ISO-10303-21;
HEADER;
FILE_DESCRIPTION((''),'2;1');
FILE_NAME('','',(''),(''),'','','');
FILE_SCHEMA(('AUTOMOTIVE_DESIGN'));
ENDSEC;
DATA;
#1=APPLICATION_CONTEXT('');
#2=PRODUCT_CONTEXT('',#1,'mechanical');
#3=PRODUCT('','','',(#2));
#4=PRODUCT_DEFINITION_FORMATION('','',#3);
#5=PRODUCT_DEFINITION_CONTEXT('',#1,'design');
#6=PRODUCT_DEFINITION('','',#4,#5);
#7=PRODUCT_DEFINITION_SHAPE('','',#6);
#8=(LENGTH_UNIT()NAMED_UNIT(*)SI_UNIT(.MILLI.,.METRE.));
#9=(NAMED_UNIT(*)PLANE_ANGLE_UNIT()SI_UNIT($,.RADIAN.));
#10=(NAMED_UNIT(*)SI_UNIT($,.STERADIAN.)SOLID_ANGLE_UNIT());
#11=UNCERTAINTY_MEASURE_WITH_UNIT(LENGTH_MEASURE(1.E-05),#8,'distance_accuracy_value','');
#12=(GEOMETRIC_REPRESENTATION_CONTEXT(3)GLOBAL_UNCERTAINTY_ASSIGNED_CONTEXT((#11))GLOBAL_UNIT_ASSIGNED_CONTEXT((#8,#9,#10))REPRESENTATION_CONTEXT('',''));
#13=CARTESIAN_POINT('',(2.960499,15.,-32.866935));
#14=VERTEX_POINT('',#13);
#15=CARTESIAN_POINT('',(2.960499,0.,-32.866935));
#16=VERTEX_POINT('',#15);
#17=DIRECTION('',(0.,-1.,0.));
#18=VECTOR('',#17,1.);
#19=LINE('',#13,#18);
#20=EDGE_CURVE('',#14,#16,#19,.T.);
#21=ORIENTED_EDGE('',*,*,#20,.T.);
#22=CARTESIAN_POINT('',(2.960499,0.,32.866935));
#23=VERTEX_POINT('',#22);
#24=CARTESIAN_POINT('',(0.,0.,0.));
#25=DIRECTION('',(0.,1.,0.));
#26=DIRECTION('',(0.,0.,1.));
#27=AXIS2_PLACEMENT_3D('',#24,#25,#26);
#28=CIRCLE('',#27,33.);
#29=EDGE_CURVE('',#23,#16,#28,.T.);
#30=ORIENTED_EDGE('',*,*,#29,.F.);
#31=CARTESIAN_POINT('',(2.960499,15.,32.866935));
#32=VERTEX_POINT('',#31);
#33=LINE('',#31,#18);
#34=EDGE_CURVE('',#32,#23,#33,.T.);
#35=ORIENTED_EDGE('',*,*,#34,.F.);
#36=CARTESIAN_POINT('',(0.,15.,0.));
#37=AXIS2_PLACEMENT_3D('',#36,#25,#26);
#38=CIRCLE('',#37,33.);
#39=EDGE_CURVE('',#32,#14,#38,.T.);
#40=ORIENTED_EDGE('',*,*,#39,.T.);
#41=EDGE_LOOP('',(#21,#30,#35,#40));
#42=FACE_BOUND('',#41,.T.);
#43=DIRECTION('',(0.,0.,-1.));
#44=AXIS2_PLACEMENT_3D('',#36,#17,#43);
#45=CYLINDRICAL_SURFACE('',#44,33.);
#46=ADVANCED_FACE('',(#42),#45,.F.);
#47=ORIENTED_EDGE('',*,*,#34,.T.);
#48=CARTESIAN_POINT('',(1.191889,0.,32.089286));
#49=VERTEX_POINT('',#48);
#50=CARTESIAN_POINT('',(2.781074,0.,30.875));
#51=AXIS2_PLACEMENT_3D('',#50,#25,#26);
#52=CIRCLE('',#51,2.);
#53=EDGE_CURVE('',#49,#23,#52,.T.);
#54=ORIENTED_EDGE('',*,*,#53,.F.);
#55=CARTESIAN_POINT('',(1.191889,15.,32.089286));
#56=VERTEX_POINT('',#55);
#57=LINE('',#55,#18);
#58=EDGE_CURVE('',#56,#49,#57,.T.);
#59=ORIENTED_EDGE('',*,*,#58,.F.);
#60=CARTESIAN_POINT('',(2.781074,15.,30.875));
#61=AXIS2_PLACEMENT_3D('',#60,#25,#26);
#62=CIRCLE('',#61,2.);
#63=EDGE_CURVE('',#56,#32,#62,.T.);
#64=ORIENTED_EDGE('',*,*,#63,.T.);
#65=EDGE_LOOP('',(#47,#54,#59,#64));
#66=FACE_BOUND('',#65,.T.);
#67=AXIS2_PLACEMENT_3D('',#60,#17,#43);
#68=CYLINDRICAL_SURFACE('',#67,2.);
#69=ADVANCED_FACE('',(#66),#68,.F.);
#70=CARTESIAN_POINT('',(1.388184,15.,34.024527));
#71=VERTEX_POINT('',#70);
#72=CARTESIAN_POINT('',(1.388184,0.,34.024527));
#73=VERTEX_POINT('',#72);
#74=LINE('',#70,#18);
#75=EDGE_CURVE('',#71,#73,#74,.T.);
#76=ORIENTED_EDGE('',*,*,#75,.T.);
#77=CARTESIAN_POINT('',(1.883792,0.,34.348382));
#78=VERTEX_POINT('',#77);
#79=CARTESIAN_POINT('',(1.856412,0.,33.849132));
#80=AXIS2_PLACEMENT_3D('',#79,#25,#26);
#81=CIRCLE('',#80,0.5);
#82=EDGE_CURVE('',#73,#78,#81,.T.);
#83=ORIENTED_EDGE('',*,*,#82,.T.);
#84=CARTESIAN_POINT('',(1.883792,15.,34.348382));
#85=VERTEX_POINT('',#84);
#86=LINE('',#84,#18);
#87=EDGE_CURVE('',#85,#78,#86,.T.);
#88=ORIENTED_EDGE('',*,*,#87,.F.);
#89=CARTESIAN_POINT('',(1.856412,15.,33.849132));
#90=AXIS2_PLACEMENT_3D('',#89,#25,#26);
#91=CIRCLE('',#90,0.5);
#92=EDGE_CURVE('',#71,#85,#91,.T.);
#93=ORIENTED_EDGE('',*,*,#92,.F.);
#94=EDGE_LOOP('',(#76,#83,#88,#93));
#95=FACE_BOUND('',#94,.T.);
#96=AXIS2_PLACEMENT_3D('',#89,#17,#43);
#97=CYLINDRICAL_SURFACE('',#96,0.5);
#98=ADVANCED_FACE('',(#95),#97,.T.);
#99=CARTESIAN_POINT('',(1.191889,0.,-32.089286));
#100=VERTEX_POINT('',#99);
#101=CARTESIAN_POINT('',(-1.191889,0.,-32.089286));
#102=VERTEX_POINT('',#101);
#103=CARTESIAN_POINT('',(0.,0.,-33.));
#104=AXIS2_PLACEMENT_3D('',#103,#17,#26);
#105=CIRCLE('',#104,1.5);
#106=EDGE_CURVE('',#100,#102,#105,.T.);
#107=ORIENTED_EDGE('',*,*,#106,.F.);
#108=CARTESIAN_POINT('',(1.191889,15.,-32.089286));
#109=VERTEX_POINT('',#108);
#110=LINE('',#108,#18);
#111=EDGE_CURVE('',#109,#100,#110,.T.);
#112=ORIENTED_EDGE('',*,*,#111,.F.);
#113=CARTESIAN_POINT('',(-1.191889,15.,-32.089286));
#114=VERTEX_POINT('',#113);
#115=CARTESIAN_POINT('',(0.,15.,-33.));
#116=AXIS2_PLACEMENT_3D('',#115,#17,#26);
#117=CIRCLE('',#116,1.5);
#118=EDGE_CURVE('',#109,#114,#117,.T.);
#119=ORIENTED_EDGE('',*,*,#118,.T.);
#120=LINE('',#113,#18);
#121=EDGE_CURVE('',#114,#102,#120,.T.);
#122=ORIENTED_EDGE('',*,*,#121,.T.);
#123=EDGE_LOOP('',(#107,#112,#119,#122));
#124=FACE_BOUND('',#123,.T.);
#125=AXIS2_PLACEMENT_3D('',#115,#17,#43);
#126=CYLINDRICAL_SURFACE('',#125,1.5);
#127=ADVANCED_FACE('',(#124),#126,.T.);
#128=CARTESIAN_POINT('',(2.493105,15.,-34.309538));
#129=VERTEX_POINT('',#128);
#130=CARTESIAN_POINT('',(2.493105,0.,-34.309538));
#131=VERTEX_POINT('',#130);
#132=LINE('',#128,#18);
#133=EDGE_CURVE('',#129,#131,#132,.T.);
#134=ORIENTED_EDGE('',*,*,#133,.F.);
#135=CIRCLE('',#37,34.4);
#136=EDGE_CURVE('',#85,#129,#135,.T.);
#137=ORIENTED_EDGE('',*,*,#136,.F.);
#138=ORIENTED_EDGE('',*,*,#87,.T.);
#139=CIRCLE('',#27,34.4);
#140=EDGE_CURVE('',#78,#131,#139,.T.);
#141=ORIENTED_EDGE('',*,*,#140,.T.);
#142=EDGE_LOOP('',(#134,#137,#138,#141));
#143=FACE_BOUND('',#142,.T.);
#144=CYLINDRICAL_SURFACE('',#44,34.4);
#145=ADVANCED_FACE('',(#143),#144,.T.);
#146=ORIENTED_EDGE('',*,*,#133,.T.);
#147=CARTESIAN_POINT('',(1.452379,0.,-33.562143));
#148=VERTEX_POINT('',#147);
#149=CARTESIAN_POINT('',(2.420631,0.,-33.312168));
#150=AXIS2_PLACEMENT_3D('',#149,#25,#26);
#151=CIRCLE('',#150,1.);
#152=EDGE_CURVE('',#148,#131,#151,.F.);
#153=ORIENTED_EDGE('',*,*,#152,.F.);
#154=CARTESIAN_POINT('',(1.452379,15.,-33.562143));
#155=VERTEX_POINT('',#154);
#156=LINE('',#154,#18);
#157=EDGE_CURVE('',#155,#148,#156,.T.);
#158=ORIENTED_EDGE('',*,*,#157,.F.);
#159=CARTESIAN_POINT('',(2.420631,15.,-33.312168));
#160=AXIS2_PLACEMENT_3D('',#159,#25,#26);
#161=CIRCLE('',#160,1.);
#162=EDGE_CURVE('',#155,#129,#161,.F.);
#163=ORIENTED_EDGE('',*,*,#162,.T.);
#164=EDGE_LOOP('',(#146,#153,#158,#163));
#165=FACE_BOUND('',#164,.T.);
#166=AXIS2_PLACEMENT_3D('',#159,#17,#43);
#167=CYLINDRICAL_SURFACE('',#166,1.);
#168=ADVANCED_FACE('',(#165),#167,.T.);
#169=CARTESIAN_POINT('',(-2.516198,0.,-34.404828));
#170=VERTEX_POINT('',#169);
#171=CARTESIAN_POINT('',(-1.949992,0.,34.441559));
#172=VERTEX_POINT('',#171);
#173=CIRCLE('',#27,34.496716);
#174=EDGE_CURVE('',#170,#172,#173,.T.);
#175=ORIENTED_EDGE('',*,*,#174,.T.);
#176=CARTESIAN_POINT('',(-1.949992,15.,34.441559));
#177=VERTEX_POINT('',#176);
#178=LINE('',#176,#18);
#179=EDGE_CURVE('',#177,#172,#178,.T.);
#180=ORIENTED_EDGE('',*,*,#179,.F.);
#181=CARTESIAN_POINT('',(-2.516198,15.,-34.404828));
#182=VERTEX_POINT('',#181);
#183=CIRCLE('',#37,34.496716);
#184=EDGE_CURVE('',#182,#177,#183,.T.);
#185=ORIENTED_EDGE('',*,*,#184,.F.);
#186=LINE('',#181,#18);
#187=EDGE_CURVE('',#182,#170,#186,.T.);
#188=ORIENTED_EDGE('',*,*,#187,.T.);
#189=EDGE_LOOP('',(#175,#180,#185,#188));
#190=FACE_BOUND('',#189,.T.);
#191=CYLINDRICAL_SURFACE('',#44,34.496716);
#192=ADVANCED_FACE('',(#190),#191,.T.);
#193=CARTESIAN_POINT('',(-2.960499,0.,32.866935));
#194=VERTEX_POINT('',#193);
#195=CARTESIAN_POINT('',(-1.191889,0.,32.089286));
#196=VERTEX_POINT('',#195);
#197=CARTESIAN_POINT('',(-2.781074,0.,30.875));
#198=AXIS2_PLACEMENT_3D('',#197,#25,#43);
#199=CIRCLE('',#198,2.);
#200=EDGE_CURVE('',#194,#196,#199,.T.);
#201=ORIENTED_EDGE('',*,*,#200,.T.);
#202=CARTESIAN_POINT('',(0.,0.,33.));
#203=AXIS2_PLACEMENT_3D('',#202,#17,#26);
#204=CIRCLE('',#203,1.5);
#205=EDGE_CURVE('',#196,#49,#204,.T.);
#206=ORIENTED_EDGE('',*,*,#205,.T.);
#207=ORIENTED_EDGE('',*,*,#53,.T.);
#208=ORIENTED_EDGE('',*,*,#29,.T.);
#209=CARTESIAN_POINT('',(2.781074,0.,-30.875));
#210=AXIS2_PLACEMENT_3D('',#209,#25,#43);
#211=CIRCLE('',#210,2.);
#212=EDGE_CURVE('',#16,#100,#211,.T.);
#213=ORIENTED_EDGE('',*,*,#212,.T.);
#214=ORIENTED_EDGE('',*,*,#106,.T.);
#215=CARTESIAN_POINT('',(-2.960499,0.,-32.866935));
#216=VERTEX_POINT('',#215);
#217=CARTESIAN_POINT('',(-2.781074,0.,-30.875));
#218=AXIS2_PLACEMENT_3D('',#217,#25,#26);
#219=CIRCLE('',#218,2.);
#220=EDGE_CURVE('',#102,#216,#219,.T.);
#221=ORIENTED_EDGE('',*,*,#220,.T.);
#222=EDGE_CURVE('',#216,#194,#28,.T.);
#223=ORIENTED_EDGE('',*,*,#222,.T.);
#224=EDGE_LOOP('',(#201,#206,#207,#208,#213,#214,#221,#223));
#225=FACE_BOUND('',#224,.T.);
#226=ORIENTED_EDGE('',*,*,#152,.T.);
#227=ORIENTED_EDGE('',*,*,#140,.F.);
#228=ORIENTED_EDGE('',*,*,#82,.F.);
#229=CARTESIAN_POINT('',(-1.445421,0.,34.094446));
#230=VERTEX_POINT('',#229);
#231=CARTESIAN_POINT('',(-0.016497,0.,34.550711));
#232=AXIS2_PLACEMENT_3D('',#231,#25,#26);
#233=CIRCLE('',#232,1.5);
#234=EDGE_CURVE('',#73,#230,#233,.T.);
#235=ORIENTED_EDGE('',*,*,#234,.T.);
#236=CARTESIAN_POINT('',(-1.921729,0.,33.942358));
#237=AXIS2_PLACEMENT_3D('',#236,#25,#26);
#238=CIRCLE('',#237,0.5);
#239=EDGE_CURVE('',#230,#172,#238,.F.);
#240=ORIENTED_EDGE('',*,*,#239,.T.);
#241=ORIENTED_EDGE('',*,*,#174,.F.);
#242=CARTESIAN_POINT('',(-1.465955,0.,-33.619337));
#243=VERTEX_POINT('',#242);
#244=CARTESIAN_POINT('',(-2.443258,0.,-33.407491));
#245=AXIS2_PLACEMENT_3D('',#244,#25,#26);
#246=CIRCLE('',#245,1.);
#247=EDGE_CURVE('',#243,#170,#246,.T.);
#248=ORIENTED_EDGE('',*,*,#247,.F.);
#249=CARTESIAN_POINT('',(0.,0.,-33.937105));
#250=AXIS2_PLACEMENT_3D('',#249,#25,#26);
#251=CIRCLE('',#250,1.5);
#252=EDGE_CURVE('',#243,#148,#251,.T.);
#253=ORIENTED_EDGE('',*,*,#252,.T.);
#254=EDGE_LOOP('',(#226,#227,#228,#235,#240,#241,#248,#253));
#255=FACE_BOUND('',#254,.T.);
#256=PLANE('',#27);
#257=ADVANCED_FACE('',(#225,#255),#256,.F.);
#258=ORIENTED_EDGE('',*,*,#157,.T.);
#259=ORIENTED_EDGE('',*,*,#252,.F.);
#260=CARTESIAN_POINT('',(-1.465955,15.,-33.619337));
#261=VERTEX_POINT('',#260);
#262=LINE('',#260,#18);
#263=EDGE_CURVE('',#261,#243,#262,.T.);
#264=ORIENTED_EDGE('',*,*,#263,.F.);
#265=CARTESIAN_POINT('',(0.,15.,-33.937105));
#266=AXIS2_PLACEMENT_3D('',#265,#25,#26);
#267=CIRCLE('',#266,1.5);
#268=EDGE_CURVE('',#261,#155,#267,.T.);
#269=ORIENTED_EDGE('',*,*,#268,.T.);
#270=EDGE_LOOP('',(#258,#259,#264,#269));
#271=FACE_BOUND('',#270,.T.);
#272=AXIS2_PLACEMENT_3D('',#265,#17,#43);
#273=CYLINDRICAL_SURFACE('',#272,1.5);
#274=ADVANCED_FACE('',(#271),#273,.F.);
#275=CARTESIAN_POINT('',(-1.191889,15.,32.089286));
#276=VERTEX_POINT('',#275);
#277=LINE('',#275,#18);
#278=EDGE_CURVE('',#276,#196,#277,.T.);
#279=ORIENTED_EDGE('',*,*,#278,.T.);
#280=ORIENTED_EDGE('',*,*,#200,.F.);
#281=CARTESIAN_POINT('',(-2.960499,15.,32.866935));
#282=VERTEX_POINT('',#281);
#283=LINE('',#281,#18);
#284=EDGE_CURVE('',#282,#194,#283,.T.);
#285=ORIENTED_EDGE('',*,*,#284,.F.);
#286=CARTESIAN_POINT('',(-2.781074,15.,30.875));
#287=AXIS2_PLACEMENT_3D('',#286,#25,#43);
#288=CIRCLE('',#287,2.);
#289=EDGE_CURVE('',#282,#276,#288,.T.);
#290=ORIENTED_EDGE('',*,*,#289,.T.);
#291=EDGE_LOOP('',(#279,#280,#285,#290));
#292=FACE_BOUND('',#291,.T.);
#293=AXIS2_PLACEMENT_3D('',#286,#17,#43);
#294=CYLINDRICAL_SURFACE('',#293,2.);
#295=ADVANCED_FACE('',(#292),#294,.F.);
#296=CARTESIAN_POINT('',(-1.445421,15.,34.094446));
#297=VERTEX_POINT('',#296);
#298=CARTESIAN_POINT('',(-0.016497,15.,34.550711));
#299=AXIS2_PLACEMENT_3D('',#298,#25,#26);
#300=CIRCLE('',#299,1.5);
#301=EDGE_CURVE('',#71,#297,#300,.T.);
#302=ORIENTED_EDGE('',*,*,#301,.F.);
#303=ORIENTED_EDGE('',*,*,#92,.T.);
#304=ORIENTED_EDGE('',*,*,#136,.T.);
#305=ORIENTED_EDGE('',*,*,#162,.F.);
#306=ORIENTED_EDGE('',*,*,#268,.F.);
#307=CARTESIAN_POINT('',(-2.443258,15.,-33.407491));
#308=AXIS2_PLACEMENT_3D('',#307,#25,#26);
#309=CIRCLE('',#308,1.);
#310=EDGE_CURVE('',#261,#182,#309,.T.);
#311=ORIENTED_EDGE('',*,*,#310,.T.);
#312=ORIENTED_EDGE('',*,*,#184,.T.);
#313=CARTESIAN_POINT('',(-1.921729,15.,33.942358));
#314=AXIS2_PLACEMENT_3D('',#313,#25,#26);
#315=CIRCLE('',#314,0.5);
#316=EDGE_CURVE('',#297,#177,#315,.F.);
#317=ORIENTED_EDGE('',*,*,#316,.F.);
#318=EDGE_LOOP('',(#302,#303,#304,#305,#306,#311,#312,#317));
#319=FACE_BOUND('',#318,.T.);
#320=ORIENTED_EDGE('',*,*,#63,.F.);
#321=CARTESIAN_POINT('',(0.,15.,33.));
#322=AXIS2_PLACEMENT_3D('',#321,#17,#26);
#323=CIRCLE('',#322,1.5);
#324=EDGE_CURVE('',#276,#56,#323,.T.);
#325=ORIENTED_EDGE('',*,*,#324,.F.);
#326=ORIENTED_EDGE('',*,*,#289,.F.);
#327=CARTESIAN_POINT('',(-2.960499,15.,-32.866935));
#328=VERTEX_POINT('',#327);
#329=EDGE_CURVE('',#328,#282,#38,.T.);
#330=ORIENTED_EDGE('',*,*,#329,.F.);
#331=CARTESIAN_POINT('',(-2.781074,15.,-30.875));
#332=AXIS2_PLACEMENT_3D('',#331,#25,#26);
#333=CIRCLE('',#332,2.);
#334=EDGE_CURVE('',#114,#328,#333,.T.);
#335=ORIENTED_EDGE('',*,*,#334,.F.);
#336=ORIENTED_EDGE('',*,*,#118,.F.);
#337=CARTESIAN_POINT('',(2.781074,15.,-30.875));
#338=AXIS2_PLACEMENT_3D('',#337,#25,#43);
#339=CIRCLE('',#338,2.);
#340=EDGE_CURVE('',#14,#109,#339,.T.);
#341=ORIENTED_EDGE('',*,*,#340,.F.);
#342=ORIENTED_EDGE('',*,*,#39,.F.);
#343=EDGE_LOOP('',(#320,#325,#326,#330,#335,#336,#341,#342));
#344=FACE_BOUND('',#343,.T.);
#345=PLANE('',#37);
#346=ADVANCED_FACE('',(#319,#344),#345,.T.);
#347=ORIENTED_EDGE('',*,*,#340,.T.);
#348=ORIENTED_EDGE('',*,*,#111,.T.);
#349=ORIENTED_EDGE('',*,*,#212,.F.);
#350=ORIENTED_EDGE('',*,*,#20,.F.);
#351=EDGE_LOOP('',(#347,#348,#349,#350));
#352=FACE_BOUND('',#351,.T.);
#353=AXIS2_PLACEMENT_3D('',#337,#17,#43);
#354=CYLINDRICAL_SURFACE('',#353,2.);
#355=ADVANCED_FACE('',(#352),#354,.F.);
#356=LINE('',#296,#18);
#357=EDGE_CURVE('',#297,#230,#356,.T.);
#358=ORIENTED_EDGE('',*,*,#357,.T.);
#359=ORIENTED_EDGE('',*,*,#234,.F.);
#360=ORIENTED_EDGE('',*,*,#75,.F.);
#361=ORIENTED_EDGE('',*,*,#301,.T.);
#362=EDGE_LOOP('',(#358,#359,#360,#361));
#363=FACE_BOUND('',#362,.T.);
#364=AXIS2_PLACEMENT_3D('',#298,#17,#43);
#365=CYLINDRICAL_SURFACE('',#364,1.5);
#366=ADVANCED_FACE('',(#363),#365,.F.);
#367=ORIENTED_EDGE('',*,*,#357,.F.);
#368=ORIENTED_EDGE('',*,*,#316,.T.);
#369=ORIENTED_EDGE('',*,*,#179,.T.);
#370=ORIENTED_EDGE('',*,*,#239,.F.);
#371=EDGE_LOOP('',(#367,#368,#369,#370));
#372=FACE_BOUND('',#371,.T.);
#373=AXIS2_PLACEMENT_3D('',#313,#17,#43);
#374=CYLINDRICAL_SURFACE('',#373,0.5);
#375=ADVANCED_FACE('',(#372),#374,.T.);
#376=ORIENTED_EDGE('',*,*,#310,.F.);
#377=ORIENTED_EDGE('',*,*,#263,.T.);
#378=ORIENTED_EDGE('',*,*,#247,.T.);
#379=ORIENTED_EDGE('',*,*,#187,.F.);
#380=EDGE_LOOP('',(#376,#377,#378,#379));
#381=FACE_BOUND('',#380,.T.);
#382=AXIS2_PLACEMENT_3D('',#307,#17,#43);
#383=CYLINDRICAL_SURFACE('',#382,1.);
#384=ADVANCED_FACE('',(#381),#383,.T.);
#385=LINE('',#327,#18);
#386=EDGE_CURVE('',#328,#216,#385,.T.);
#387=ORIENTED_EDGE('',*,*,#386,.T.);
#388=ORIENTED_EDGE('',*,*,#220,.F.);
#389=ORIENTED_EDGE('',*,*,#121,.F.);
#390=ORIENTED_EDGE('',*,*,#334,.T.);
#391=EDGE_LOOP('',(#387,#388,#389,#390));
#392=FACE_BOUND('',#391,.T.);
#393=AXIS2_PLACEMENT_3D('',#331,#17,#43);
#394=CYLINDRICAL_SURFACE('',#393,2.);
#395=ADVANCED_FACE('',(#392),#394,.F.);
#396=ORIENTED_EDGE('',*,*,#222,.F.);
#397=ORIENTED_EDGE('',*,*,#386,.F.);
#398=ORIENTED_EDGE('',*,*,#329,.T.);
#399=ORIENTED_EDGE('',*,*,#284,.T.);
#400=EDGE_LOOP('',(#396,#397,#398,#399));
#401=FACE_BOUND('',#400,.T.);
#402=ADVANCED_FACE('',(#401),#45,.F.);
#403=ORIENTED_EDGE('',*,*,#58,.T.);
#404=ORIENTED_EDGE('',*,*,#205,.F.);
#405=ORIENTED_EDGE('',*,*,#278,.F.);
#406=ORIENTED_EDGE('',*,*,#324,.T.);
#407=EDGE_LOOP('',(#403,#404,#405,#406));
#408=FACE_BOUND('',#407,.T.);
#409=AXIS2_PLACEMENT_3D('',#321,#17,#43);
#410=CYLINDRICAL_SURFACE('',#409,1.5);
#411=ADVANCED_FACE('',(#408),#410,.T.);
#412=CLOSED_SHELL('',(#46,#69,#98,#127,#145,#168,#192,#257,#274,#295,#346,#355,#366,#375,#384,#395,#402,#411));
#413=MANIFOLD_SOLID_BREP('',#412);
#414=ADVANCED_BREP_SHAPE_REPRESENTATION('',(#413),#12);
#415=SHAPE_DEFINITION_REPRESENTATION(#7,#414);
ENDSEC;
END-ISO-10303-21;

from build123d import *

# Parameters (mm, degrees)
BOSS_EXTRUDE1_DEPTH = 15
CUT_EXTRUDE2_DEPTH  = 52.002935676


with BuildPart() as part:
    # Sketch1 → Boss-Extrude1 (new body)
    with BuildSketch(Plane(origin=(0, 0, 0), x_dir=(1, 0, 0), z_dir=(0, 1, 0))):
        with BuildLine():
            ThreePointArc((1.388184439, -34.024526654), (1.582903075, -34.267692689), (1.883792339, -34.348381715))
            ThreePointArc((1.883792339, -34.348381715), (24.448065102, -24.200250262), (34.365790759, -1.53376189))
            ThreePointArc((34.365790759, -1.53376189), (25.706615752, 22.858913066), (2.493104989, 34.309538433))
            ThreePointArc((2.493104989, 34.309538433), (1.837317334, 34.124415112), (1.452378604, 33.562142698))
            ThreePointArc((1.452378604, 33.562142698), (-0.029391592, 32.437392534), (-1.46595483, 33.619336656))
            ThreePointArc((-1.46595483, 33.619336656), (-1.844328043, 34.20829277), (-2.516198277, 34.404827707))
            ThreePointArc((-2.516198277, 34.404827707), (-25.784489967, 22.916882433), (-34.462378171, -1.538802818))
            ThreePointArc((-34.462378171, -1.538802818), (-24.537991164, -24.246863982), (-1.949992086, -34.441558533))
            ThreePointArc((-1.949992086, -34.441558533), (-1.638342507, -34.354295246), (-1.445420769, -34.094446164))
            ThreePointArc((-1.445420769, -34.094446164), (-0.053498551, -33.05116711), (1.388184439, -34.024526654))
        make_face()
        with BuildLine():
            Line((-2.417, 3.18717916), (0, 3.18717916))
            Line((0, 3.18717916), (2.417, 3.18717916))
            ThreePointArc((2.417, 3.18717916), (0, -4), (-2.417, 3.18717916))
        make_face(mode=Mode.SUBTRACT)
    extrude(amount=BOSS_EXTRUDE1_DEPTH)

    # Sketch2 → Cut-Extrude2 (cut, through all)
    with BuildSketch(Plane(origin=(0, 0, 0), x_dir=(1, 0, 0), z_dir=(0, 1, 0))):
        with BuildLine():
            ThreePointArc((-32.866935484, -2.96049859), (-23.334523779, -23.334523779), (-2.96049859, -32.866935484))
            ThreePointArc((-2.96049859, -32.866935484), (-1.9760642, -32.705835472), (-1.191889043, -32.089285714))
            ThreePointArc((-1.191889043, -32.089285714), (0, -31.5), (1.191889043, -32.089285714))
            ThreePointArc((1.191889043, -32.089285714), (1.9760642, -32.705835472), (2.96049859, -32.866935484))
            ThreePointArc((2.96049859, -32.866935484), (23.334523779, -23.334523779), (32.866935484, -2.96049859))
            ThreePointArc((32.866935484, -2.96049859), (25.333821586, 21.147044329), (2.96049859, 32.866935484))
            ThreePointArc((2.96049859, 32.866935484), (1.9760642, 32.705835472), (1.191889043, 32.089285714))
            ThreePointArc((1.191889043, 32.089285714), (0, 31.5), (-1.191889043, 32.089285714))
            ThreePointArc((-1.191889043, 32.089285714), (-1.9760642, 32.705835472), (-2.96049859, 32.866935484))
            ThreePointArc((-2.96049859, 32.866935484), (-25.333821586, 21.147044329), (-32.866935484, -2.96049859))
        make_face()
    extrude(amount=CUT_EXTRUDE2_DEPTH, mode=Mode.SUBTRACT)


solid = part.part
